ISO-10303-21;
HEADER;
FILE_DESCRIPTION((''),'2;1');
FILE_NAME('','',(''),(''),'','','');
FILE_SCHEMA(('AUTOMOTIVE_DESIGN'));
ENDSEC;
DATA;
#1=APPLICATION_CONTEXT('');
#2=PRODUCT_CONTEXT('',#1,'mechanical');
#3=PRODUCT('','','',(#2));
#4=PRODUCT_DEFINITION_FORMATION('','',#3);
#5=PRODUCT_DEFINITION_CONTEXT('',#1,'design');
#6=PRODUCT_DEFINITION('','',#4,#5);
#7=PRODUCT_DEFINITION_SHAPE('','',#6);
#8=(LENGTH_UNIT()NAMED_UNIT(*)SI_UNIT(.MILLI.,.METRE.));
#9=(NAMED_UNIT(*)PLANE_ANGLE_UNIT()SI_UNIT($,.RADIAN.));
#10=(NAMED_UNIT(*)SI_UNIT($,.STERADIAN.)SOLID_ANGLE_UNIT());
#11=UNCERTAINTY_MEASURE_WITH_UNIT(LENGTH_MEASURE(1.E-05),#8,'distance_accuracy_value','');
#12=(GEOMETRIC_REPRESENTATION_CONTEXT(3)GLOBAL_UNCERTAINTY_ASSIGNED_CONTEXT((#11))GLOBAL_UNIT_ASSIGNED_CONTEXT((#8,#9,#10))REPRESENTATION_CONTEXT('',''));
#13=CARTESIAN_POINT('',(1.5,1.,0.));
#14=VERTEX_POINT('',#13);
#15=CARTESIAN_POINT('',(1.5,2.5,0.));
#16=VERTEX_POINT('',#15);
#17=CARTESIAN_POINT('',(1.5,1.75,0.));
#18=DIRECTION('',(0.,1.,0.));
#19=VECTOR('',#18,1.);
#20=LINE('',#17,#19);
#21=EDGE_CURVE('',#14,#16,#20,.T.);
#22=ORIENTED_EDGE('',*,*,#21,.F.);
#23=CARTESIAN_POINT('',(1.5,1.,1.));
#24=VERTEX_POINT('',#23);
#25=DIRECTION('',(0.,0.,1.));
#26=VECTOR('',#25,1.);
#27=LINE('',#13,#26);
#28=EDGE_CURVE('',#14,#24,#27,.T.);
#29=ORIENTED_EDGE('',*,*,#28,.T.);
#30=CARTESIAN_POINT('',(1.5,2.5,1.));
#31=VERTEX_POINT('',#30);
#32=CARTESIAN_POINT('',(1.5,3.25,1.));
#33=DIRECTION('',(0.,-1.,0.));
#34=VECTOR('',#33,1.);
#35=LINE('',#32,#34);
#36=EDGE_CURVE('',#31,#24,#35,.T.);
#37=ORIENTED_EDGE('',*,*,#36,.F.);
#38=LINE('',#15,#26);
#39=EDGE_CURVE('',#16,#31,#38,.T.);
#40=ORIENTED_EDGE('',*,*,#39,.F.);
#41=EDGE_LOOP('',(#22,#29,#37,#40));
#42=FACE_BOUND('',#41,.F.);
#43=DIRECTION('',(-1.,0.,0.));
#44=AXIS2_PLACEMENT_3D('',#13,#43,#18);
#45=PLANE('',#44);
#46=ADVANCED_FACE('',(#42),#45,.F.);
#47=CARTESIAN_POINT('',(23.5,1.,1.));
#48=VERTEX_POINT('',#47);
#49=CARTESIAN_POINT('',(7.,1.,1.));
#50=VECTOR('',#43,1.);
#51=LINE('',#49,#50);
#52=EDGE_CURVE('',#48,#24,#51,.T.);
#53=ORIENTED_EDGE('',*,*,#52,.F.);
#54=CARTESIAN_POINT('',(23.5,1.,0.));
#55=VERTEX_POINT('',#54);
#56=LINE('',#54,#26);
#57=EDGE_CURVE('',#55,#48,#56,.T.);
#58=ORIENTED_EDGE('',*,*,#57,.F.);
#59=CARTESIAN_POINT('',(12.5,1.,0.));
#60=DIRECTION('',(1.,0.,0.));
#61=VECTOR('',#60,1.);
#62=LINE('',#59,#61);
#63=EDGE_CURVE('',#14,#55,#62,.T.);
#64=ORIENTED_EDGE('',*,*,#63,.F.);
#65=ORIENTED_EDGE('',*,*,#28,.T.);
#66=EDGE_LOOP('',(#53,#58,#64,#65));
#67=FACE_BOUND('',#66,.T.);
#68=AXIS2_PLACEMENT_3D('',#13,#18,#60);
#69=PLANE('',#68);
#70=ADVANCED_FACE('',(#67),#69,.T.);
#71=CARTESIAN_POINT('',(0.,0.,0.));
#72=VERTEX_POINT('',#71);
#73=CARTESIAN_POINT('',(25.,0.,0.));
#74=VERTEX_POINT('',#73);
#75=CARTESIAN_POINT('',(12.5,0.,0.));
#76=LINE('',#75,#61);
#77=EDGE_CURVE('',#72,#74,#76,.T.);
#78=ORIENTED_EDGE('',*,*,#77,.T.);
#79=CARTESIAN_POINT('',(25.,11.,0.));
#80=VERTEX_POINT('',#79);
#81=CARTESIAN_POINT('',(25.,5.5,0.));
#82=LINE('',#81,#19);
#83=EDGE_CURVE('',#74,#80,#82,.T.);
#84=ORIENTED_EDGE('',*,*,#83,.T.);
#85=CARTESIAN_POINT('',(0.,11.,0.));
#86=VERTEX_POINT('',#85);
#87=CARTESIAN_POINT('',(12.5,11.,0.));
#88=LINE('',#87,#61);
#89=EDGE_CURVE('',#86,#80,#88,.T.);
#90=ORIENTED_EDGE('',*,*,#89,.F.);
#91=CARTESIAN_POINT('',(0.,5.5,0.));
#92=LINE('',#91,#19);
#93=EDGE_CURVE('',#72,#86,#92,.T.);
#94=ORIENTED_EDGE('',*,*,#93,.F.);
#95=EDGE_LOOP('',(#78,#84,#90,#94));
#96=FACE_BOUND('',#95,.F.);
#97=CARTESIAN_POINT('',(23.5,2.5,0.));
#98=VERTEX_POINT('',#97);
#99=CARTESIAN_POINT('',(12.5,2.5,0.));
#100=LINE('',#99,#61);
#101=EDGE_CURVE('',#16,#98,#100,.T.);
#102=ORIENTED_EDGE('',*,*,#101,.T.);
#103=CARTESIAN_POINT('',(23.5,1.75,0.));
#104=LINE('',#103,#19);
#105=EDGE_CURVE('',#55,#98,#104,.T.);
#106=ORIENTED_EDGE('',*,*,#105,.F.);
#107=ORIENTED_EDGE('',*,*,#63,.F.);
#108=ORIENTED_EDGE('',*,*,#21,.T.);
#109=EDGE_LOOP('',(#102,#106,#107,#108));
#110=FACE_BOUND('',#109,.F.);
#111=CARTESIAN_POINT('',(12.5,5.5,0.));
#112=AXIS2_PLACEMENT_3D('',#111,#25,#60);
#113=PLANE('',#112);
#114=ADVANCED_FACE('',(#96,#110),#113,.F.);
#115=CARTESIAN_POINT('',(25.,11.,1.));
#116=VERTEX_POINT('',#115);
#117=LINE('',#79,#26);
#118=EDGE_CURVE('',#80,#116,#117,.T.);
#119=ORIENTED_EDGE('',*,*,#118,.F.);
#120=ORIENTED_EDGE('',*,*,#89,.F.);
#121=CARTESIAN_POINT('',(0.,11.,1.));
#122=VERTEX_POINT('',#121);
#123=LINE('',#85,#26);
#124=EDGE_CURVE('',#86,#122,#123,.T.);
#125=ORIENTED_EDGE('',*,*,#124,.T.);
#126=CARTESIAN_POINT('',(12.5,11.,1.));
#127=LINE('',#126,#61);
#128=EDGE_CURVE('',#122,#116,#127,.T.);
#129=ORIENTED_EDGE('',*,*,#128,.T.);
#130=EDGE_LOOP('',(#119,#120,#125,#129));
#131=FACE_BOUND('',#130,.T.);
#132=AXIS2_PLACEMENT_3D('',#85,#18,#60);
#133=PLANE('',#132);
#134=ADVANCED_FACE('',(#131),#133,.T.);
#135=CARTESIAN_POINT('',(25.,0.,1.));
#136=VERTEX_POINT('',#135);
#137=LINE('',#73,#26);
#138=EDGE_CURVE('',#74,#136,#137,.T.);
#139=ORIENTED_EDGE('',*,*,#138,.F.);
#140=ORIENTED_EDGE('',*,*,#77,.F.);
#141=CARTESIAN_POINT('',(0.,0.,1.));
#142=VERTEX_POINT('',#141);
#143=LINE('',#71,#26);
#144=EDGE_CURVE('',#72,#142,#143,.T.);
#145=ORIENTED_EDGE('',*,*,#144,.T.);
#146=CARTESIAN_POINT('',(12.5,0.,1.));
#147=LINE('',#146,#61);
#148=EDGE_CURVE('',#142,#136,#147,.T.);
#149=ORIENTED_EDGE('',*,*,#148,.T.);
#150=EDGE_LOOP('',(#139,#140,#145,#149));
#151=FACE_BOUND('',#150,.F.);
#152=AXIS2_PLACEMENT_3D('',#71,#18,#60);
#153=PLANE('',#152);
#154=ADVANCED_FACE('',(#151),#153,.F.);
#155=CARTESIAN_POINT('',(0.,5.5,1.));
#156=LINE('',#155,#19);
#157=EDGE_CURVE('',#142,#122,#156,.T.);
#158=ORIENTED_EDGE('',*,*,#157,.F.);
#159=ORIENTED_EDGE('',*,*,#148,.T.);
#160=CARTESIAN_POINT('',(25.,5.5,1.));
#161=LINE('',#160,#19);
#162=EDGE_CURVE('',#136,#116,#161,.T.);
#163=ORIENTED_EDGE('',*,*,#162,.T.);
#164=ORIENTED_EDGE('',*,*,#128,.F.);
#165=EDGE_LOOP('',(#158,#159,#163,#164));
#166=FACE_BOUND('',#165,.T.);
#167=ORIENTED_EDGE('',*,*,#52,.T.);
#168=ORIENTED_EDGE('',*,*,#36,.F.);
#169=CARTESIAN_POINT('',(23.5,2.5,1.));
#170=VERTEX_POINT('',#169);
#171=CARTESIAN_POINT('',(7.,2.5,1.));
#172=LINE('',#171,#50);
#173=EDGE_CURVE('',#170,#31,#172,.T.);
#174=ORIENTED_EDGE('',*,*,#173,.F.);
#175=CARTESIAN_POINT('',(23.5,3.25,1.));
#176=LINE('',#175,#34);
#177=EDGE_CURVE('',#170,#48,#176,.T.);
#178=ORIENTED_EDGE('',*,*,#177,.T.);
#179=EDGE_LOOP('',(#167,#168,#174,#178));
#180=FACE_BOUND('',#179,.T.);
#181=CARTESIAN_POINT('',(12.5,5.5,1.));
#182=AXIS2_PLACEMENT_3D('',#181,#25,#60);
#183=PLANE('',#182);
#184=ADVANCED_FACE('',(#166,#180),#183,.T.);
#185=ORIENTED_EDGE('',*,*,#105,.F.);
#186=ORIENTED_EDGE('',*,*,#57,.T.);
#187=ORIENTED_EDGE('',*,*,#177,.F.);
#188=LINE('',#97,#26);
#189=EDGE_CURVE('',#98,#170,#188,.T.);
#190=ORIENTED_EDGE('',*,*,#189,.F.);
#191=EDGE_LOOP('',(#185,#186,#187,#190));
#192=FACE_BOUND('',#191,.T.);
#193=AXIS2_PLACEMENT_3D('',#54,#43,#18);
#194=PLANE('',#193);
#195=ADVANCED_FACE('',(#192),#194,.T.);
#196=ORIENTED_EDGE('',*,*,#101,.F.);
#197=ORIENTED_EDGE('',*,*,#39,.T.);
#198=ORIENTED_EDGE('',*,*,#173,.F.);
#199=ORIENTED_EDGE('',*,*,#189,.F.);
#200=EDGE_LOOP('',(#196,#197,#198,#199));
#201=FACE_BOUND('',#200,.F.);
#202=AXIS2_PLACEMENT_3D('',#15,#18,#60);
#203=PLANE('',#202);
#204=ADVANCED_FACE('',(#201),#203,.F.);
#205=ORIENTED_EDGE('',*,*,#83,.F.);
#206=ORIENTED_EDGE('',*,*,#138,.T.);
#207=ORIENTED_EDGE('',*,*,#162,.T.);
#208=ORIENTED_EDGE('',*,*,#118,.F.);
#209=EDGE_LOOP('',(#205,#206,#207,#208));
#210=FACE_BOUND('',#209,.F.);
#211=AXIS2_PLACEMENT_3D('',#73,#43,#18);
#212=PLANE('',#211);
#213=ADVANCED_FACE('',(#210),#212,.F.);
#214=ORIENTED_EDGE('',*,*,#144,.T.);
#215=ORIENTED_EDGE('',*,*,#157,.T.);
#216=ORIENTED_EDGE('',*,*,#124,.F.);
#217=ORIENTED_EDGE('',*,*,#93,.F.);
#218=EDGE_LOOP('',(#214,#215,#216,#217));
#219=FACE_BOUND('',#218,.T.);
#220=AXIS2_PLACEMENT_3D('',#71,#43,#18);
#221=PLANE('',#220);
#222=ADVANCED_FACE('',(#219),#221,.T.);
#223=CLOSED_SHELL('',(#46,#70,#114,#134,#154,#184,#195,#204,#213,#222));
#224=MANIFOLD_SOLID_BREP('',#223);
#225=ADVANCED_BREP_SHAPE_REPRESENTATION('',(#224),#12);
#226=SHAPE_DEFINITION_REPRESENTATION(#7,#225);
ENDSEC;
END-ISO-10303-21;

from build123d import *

# Parameters (mm, degrees)
BOX129_W     = 22
BOX129_H     = 1.5
BOX129_DEPTH = 2
BOX128_W     = 25
BOX128_H     = 11
BOX128_DEPTH = 1


with BuildPart() as longledhole004:
    # Box129 → Box129 (new body)
    with BuildSketch(Plane(origin=(1.5, 1, 0), x_dir=(1, 0, 0), z_dir=(0, 0, 1))):
        with Locations((11, 0.75)):
            Rectangle(BOX129_W, BOX129_H)
    extrude(amount=BOX129_DEPTH)


with BuildPart() as cut021:
    # Box128 → Box128 (new body)
    with BuildSketch(Plane.XY):
        with Locations((12.5, 5.5)):
            Rectangle(BOX128_W, BOX128_H)
    extrude(amount=BOX128_DEPTH)

    # Cut021: cut LongLedHole004
    add(longledhole004.part, mode=Mode.SUBTRACT)


solid = cut021.part
